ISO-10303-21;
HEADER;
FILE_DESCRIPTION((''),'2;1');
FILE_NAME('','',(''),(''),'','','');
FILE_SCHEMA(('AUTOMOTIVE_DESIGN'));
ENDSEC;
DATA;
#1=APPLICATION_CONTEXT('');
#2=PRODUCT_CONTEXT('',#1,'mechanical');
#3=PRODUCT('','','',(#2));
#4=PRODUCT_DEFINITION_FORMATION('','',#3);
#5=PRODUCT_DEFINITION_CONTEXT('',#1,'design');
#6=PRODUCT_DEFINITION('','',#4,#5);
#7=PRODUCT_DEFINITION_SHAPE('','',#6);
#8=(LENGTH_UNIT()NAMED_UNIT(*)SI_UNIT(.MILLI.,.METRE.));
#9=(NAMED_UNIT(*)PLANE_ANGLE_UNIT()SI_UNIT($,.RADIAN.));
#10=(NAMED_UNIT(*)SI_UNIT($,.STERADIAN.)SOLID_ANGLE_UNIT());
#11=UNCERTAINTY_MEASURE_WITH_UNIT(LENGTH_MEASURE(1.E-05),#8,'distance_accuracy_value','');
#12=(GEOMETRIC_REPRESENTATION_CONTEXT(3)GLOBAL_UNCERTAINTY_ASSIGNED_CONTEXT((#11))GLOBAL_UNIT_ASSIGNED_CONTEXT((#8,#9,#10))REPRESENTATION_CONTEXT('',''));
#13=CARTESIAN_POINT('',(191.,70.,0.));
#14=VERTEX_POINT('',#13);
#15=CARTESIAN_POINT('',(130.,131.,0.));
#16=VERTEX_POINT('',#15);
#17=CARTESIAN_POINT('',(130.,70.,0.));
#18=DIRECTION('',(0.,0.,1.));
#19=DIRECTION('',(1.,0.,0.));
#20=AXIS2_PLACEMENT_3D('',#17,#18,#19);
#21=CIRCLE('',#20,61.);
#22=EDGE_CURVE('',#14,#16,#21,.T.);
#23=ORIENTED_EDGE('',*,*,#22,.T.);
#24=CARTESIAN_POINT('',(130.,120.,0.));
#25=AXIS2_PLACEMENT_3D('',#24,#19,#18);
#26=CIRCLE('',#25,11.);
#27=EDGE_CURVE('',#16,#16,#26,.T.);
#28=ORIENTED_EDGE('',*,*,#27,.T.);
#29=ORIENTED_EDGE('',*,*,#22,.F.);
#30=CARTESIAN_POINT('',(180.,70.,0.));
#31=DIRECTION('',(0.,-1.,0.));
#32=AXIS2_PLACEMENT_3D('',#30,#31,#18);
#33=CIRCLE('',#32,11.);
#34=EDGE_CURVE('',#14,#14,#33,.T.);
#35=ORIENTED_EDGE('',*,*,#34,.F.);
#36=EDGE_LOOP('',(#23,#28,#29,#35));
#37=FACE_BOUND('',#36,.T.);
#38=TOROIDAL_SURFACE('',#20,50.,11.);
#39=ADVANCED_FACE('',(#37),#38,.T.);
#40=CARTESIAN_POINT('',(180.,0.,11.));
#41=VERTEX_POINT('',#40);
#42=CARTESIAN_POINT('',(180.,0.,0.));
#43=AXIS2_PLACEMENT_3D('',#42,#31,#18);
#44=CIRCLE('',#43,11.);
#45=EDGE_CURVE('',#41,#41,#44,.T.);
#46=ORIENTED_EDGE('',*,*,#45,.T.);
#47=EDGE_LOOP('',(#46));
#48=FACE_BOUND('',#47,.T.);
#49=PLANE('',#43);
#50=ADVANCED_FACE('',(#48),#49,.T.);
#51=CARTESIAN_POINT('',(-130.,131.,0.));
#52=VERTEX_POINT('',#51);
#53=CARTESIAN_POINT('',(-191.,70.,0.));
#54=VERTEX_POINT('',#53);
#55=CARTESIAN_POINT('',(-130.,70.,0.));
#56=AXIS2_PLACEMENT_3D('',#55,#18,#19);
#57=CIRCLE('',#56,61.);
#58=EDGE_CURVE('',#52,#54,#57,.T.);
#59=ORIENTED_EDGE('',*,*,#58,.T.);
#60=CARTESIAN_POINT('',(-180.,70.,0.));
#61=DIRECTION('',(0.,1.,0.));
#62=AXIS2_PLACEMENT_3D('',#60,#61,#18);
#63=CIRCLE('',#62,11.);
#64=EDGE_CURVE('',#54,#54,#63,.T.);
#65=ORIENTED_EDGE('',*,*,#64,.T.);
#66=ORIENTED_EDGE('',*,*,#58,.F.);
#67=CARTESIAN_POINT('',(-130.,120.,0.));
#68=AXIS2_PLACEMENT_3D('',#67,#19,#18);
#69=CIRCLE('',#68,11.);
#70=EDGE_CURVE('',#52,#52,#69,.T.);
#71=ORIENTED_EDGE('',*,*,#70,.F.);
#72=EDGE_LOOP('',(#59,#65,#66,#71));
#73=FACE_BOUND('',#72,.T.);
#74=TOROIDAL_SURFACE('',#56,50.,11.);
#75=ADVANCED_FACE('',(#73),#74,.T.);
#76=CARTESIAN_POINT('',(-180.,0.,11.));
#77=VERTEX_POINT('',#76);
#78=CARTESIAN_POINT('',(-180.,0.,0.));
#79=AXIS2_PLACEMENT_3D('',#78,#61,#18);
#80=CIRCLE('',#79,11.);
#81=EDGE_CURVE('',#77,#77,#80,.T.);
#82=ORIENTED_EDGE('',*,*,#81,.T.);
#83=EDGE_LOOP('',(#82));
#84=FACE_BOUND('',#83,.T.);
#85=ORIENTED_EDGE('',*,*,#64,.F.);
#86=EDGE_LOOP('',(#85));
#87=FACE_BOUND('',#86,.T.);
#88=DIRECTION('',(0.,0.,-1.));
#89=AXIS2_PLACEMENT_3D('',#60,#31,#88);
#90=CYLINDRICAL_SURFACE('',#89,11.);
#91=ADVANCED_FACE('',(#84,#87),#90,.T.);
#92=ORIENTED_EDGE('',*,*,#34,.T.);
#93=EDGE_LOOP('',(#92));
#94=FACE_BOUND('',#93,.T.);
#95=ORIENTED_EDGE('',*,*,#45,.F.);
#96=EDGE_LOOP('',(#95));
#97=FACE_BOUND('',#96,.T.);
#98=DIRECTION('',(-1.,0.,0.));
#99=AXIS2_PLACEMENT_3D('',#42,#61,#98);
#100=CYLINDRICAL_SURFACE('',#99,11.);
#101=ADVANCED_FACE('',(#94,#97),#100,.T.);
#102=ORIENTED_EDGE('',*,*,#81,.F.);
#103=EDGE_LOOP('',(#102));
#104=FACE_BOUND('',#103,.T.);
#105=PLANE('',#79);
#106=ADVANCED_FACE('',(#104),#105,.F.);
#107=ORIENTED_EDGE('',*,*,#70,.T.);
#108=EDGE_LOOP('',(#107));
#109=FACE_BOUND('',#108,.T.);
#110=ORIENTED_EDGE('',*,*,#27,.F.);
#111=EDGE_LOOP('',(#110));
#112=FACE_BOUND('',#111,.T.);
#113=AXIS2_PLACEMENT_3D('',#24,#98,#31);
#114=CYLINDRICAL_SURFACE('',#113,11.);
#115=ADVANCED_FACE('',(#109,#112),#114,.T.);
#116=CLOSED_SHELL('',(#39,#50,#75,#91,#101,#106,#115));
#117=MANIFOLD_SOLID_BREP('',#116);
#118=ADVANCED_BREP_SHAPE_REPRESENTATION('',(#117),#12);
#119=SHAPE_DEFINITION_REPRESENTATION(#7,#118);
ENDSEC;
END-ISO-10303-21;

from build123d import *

# Parameters (mm, degrees)
SKETCH_1_R = 11


with BuildPart() as part:
    # 扫描1: sweep along a path in 草图2
    with BuildLine(Plane.XY) as sweep_1_path:
        Line((-180, 0), (-180, 70))
        ThreePointArc((-180, 70), (-165.355339059, 105.355339059), (-130, 120))
        Line((-130, 120), (130, 120))
        ThreePointArc((130, 120), (165.355339059, 105.355339059), (180, 70))
        Line((180, 70), (180, 0))
    # 草图1 → 扫描1 (sweep)
    with BuildSketch(Plane(origin=(0, 0, 0), x_dir=(1, 0, 0), z_dir=(0, 1, 0))):
        with Locations((-180, 0)):
            Circle(SKETCH_1_R)
    sweep(path=sweep_1_path.line)


solid = part.part
